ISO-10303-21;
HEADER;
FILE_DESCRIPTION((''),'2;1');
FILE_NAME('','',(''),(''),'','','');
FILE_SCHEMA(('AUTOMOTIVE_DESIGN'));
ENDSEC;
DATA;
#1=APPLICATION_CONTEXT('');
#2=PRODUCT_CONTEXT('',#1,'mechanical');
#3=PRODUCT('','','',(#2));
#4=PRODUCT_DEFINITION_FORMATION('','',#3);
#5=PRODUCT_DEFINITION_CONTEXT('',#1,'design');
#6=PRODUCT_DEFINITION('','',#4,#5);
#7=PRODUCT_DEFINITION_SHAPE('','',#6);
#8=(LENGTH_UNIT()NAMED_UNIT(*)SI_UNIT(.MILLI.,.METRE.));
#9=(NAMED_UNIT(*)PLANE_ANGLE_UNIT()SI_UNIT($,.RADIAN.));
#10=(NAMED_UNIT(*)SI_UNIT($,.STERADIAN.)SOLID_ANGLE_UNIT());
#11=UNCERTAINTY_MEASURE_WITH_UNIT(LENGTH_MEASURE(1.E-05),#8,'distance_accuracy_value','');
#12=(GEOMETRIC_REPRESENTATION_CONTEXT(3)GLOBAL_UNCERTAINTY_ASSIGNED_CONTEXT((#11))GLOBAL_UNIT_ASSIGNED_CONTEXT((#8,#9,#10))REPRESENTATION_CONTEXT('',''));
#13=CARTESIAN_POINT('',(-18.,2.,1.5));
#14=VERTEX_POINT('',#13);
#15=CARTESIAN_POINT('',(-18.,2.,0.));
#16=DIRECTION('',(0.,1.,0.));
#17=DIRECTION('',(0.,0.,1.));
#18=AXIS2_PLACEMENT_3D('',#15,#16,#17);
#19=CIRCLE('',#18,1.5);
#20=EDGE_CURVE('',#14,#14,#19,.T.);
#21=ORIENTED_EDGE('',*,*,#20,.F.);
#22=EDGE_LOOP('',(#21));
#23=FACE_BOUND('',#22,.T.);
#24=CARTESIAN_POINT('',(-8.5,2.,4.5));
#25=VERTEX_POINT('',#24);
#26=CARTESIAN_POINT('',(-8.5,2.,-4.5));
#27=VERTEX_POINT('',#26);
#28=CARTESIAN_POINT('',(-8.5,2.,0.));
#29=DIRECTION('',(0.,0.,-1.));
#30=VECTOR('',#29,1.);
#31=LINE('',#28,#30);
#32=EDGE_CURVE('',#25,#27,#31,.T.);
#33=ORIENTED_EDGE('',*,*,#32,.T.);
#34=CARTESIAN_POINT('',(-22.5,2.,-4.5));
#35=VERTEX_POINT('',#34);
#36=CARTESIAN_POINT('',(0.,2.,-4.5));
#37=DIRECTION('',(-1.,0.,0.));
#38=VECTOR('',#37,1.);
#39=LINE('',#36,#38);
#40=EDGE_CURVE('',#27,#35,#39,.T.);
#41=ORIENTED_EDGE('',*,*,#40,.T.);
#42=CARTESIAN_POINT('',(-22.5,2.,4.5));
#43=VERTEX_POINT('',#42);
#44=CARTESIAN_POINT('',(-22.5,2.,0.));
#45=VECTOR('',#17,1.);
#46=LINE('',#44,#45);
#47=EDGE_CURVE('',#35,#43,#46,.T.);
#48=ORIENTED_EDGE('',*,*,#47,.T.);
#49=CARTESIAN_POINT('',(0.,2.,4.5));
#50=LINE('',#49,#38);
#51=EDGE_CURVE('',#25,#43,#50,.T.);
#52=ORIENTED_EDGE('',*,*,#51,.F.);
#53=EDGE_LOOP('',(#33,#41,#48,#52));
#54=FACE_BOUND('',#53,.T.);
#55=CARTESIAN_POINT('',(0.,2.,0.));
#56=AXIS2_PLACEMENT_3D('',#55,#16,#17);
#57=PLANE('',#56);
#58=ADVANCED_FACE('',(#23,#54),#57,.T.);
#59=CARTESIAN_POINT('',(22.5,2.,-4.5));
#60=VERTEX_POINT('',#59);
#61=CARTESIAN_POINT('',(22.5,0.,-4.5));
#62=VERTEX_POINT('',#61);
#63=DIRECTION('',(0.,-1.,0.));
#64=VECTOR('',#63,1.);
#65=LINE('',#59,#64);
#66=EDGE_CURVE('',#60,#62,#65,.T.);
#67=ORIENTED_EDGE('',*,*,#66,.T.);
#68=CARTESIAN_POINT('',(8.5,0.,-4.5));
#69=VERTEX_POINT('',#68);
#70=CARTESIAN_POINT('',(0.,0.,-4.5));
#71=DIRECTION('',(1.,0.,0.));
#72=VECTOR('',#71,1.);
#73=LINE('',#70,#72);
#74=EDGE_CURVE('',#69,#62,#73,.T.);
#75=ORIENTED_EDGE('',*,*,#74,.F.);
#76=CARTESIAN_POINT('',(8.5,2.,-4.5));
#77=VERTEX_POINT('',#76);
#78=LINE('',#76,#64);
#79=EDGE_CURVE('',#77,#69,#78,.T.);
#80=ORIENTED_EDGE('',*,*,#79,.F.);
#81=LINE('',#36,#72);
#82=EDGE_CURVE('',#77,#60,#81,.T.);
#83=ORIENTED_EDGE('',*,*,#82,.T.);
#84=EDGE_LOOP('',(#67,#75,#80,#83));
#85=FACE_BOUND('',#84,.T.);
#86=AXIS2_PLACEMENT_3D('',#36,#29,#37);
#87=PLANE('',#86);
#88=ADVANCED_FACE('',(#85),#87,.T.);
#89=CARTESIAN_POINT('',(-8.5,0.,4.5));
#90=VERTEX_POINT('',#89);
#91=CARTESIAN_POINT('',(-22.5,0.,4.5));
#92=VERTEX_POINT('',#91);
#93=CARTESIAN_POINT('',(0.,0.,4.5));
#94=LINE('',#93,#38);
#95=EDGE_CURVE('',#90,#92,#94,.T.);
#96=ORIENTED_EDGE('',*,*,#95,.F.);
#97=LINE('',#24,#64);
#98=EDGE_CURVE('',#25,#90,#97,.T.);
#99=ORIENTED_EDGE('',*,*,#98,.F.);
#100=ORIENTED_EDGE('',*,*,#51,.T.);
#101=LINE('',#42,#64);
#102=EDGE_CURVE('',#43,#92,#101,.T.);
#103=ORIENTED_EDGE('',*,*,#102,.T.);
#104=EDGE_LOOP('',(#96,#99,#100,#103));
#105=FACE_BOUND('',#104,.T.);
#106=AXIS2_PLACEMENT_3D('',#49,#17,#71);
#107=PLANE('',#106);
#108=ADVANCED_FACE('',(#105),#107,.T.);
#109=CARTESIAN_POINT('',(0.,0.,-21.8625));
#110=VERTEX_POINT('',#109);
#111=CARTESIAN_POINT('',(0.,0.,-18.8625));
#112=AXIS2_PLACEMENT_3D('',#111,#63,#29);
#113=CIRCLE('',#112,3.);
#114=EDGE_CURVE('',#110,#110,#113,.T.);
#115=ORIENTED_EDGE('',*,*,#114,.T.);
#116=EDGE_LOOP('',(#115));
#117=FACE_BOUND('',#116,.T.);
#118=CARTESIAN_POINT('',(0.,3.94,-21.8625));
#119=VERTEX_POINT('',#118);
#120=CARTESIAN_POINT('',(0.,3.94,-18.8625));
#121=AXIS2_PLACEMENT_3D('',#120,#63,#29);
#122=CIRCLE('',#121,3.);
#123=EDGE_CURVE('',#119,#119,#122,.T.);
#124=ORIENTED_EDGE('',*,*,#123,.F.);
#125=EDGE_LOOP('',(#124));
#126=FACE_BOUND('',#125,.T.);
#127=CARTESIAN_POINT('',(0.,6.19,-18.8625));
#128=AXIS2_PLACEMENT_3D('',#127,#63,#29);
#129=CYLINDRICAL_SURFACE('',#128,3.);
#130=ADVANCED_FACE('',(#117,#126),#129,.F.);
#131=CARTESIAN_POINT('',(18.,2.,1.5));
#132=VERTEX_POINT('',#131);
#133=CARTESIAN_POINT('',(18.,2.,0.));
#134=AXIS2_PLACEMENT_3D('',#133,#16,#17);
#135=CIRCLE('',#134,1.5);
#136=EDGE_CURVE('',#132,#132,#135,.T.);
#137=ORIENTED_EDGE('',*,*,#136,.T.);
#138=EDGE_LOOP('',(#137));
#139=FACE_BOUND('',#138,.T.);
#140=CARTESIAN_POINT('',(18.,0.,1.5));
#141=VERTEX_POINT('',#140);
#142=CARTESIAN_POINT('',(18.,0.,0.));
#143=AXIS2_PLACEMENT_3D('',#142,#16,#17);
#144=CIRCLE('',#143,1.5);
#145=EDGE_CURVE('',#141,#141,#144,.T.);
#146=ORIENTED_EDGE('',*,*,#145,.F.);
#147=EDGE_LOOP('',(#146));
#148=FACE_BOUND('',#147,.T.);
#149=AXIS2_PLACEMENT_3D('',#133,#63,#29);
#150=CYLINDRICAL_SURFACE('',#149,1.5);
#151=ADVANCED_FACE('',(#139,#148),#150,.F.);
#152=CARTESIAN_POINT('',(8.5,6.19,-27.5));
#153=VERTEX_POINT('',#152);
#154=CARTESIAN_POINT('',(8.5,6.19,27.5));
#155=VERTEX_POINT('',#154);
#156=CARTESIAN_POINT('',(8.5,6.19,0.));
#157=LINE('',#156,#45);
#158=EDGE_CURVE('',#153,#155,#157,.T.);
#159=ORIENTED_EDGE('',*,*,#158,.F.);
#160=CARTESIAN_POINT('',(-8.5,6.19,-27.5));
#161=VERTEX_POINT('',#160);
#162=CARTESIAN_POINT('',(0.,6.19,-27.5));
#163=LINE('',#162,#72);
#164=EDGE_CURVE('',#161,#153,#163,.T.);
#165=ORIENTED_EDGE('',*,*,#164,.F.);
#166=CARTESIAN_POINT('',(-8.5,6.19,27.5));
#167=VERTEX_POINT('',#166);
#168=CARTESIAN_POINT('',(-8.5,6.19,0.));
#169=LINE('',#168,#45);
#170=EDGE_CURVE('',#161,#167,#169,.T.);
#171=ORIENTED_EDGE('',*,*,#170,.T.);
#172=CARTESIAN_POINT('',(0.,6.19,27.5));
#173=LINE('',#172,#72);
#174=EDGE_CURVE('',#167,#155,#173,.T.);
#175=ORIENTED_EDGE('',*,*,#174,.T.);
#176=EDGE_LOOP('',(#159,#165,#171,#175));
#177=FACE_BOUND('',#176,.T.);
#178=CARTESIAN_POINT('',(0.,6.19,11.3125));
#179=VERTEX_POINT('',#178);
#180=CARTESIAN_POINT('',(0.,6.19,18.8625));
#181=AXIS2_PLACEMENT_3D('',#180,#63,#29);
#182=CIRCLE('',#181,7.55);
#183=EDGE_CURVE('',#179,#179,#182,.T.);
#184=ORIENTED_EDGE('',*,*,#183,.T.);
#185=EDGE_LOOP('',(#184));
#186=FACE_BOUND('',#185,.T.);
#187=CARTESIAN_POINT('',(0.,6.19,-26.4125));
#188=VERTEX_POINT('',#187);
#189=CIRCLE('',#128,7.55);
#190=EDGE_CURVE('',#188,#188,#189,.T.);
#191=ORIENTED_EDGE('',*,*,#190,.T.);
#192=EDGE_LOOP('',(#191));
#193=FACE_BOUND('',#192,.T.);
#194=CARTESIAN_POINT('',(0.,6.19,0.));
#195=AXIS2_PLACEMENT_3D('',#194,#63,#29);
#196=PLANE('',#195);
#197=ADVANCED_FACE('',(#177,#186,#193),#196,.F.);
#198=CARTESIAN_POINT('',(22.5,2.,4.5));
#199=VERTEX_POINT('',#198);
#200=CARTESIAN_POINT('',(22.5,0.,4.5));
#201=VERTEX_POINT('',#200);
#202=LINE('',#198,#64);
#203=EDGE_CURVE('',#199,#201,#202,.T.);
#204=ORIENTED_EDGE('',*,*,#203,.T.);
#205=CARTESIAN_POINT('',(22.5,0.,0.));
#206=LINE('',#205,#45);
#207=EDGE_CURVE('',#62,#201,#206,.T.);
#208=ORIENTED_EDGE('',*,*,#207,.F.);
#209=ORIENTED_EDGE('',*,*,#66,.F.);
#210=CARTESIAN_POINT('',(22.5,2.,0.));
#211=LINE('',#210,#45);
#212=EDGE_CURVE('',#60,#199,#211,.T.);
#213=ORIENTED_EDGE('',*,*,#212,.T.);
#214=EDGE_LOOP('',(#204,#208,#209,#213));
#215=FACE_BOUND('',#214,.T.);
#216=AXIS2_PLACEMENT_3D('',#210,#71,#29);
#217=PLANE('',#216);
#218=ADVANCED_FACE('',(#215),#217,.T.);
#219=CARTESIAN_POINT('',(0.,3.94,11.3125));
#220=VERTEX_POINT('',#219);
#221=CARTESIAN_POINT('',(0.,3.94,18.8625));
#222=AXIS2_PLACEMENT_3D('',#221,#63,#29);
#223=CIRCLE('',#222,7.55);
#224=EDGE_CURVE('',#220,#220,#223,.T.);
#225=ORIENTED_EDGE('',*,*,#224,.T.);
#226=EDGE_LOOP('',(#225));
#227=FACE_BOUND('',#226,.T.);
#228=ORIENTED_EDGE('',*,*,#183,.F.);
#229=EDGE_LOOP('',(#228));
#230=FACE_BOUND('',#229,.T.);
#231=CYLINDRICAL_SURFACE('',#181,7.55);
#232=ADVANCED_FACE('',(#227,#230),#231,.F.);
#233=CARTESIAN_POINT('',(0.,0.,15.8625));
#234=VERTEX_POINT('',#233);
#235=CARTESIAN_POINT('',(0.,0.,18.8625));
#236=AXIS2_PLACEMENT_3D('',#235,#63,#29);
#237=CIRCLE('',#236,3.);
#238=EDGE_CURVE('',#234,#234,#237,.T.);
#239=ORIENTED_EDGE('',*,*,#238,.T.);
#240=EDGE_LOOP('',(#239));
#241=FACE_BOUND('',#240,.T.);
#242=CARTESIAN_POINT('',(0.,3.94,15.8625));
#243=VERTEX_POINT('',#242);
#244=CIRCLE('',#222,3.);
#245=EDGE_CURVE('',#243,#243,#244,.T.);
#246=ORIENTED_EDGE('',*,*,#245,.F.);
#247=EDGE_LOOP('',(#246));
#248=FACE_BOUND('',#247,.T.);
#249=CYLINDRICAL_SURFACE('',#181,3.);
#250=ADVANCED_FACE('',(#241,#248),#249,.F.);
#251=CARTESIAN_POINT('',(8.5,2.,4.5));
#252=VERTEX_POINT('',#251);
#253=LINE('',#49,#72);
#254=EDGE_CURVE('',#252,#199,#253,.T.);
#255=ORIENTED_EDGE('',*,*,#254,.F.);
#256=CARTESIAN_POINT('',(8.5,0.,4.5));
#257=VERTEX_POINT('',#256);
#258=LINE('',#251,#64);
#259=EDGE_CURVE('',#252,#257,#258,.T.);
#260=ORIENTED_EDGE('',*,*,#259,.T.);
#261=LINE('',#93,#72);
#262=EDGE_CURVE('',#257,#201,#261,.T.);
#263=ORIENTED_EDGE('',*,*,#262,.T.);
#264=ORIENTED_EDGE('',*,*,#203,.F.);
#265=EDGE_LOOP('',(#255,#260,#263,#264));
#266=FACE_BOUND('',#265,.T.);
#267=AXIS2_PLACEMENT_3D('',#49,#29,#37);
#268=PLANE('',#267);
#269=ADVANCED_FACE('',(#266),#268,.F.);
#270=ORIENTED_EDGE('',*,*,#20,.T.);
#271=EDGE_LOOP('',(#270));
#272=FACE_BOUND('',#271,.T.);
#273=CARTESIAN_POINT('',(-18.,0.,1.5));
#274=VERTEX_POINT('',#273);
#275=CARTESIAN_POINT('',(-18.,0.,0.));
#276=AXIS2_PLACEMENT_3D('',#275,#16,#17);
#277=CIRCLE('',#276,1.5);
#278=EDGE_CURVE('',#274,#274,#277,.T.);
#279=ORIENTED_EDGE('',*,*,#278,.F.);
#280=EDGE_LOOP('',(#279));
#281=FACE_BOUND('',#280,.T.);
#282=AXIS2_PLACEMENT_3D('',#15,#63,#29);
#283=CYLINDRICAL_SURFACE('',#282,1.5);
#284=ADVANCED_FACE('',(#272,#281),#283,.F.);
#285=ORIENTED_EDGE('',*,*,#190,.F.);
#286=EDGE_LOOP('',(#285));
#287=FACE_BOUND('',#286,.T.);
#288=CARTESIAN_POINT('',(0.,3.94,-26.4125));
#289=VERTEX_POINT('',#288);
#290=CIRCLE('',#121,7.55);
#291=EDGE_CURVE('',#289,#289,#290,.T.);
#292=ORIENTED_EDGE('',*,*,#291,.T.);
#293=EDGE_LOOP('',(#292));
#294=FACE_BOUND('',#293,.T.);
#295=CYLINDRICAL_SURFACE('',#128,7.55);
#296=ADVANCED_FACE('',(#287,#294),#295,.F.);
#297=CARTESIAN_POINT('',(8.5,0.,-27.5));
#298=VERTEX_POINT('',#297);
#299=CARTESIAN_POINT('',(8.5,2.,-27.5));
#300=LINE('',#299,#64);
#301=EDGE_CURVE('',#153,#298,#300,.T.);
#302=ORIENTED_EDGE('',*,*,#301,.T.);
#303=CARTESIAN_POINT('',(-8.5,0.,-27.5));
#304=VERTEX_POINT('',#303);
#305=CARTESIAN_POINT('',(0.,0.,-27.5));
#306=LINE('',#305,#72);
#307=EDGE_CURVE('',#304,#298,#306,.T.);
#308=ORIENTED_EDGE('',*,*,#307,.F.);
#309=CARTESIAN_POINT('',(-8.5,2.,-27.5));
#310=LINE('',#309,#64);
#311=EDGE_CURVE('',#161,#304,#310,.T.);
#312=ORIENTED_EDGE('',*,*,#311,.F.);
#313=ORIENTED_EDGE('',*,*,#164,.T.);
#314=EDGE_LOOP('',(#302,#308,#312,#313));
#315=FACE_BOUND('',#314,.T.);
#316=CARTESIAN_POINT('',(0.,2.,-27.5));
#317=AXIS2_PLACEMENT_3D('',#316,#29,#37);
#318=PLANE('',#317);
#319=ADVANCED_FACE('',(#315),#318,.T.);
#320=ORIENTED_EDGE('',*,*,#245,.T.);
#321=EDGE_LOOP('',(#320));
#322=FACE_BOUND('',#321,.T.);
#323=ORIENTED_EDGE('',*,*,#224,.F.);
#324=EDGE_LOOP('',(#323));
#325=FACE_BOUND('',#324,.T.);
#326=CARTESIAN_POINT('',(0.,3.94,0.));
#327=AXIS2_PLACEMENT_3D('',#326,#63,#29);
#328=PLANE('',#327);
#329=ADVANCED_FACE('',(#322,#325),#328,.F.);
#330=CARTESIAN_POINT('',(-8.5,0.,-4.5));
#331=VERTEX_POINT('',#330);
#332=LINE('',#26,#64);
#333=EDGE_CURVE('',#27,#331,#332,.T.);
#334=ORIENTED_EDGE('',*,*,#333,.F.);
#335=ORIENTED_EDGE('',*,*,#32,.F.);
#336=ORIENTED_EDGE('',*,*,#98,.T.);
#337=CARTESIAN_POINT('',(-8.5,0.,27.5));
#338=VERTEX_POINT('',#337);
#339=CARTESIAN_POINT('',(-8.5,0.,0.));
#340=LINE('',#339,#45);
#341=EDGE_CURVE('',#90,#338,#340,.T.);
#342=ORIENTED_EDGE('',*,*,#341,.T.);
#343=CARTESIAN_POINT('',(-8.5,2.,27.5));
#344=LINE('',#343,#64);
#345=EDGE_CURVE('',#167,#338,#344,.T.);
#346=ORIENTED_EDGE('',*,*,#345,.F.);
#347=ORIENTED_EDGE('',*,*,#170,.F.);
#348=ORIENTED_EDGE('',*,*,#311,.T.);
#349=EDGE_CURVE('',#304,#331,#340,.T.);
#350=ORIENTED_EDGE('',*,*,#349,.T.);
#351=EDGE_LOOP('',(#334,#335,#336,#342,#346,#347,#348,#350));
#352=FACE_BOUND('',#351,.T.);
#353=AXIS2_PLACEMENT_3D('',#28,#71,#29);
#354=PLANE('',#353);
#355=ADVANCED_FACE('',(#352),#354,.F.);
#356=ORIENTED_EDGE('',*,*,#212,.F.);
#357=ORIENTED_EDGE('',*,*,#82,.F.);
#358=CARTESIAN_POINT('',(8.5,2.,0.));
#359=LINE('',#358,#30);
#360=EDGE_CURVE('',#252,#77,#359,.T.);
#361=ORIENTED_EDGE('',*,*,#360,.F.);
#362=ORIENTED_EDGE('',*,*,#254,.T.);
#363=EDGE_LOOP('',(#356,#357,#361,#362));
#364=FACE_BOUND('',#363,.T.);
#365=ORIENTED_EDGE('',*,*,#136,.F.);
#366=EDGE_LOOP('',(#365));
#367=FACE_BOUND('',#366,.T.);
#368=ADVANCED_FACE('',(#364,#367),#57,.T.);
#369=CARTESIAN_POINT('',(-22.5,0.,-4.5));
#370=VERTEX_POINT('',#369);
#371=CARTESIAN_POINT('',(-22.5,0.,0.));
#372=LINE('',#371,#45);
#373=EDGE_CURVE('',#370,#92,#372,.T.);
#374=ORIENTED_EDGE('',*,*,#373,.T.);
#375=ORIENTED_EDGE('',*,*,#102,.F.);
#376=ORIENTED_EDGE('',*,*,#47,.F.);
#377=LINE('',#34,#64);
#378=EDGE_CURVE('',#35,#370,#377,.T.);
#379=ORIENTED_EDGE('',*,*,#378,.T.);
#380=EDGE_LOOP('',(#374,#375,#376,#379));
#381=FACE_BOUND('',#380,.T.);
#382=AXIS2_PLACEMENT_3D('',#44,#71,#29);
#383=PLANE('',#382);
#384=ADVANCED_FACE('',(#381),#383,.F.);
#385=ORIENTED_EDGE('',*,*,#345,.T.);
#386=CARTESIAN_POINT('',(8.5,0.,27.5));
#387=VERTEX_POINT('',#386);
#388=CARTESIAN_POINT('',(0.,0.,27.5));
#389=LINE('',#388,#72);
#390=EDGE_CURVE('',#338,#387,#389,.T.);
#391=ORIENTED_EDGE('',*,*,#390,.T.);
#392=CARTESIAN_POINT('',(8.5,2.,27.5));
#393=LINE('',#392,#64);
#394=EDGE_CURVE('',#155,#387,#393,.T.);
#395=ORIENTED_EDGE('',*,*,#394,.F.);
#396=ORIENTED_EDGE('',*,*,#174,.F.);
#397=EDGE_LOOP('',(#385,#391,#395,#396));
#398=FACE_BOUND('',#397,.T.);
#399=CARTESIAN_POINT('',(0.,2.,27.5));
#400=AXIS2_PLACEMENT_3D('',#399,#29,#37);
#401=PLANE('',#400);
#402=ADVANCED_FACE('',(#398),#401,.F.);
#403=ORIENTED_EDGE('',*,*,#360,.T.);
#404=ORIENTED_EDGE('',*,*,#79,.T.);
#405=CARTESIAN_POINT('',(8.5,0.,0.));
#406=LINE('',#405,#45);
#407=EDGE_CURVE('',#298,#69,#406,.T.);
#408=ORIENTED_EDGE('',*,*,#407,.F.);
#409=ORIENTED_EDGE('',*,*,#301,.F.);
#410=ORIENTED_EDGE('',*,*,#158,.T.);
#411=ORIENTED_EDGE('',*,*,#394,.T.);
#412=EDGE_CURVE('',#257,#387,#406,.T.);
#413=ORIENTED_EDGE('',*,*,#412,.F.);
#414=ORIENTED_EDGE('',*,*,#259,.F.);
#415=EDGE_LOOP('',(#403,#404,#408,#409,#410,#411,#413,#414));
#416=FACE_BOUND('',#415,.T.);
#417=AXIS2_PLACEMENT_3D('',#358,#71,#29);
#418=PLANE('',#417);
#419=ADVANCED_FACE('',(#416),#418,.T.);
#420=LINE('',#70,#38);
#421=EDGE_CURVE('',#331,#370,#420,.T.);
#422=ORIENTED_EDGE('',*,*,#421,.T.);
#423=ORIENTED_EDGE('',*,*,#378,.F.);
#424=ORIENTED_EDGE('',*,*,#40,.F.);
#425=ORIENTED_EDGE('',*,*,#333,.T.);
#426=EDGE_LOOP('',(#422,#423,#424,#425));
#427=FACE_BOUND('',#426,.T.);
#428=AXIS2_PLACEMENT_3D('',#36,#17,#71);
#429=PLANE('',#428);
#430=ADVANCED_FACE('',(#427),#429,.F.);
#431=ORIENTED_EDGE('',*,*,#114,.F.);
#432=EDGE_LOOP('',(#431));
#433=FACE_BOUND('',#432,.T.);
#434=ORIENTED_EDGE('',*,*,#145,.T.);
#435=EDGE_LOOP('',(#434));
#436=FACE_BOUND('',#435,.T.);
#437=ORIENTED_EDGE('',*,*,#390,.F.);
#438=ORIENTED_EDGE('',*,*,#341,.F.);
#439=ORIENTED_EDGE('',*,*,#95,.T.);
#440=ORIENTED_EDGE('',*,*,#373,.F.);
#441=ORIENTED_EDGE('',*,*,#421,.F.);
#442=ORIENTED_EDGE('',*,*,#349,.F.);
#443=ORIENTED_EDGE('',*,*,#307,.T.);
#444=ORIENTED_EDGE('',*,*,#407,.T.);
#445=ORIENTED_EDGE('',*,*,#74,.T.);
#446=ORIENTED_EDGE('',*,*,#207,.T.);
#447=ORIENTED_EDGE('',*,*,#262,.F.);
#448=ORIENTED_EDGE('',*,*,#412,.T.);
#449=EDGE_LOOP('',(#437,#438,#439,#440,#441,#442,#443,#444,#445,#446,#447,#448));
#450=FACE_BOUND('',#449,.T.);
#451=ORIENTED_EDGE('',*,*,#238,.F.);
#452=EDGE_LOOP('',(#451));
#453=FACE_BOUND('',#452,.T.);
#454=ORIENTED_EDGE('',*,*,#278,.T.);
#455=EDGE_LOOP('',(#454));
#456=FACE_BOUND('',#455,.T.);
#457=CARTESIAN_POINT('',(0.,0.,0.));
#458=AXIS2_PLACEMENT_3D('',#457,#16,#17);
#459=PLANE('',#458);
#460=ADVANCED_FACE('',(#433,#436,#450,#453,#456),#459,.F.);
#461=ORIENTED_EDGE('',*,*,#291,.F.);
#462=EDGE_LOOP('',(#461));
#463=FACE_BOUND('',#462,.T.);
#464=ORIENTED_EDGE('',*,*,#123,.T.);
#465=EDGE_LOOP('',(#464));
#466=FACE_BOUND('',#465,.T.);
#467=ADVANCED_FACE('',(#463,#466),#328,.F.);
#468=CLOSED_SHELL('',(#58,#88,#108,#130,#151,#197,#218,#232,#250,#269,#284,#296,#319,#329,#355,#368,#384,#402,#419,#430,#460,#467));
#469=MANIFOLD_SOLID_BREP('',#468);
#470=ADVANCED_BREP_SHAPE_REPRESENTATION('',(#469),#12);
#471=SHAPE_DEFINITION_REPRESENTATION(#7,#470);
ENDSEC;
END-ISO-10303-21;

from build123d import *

# Parameters (mm, degrees)
SKETCH1_W           = 17
SKETCH1_H           = 55
SKETCH1_R           = 7.55
SKETCH1_W_2         = 14
SKETCH1_H_2         = 9
SKETCH1_R_2         = 1.5
BOSS_EXTRUDE1_DEPTH = 2
BOSS_EXTRUDE2_START = 2
SKETCH1_4_W         = 17
SKETCH1_4_H         = 55
SKETCH1_4_R         = 7.55
BOSS_EXTRUDE2_DEPTH = 1.94
BOSS_EXTRUDE3_START = 3.94
SKETCH1_5_W         = 17
SKETCH1_5_H         = 55
SKETCH1_5_R         = 7.55
BOSS_EXTRUDE3_DEPTH = 2.25
SKETCH3_R           = 3
CUT_EXTRUDE1_DEPTH  = 37.06682825


with BuildPart() as part:
    # Sketch1 → Boss-Extrude1 (new body)
    # profile 1 of 5: a face of its own
    with BuildSketch(Plane(origin=(0, 0, 0), x_dir=(1, 0, 0), z_dir=(0, 1, 0))):
        Rectangle(SKETCH1_W, SKETCH1_H)
        with Locations((0, -18.8625)):
            Circle(SKETCH1_R, mode=Mode.SUBTRACT)
        with Locations((0, 18.8625)):
            Circle(SKETCH1_R, mode=Mode.SUBTRACT)
    # profile 2 of 5: a face of its own
    with BuildSketch(Plane(origin=(0, 0, 0), x_dir=(1, 0, 0), z_dir=(0, 1, 0))):
        with Locations((15.5, 0)):
            Rectangle(SKETCH1_W_2, SKETCH1_H_2)
        with Locations(Location((18, 0, 0), (0, 0, 270))):
            Circle(SKETCH1_R_2, mode=Mode.SUBTRACT)
    # profile 3 of 5: a face of its own
    with BuildSketch(Plane(origin=(0, 0, 0), x_dir=(1, 0, 0), z_dir=(0, 1, 0))):
        with Locations((-15.5, 0)):
            Rectangle(SKETCH1_W_2, SKETCH1_H_2)
        with Locations(Location((-18, 0, 0), (0, 0, 270))):
            Circle(SKETCH1_R_2, mode=Mode.SUBTRACT)
    # profile 4 of 5: a face of its own
    with BuildSketch(Plane(origin=(0, 0, 0), x_dir=(1, 0, 0), z_dir=(0, 1, 0))):
        with Locations((0, -18.8625)):
            Circle(SKETCH1_R)
    # profile 5 of 5: a face of its own
    with BuildSketch(Plane(origin=(0, 0, 0), x_dir=(1, 0, 0), z_dir=(0, 1, 0))):
        with Locations((0, 18.8625)):
            Circle(SKETCH1_R)
    extrude(amount=BOSS_EXTRUDE1_DEPTH)

    # Sketch1<4> → Boss-Extrude2 (add)
    # profile 1 of 3: a face of its own
    with BuildSketch(Plane(origin=(0, 0, 0), x_dir=(1, 0, 0), z_dir=(0, 1, 0)).offset(BOSS_EXTRUDE2_START)):
        Rectangle(SKETCH1_4_W, SKETCH1_4_H)
        with Locations((0, -18.8625)):
            Circle(SKETCH1_4_R, mode=Mode.SUBTRACT)
        with Locations((0, 18.8625)):
            Circle(SKETCH1_4_R, mode=Mode.SUBTRACT)
    # profile 2 of 3: a face of its own
    with BuildSketch(Plane(origin=(0, 0, 0), x_dir=(1, 0, 0), z_dir=(0, 1, 0)).offset(BOSS_EXTRUDE2_START)):
        with Locations((0, -18.8625)):
            Circle(SKETCH1_4_R)
    # profile 3 of 3: a face of its own
    with BuildSketch(Plane(origin=(0, 0, 0), x_dir=(1, 0, 0), z_dir=(0, 1, 0)).offset(BOSS_EXTRUDE2_START)):
        with Locations((0, 18.8625)):
            Circle(SKETCH1_4_R)
    extrude(amount=BOSS_EXTRUDE2_DEPTH)

    # Sketch1<5> → Boss-Extrude3 (add)
    with BuildSketch(Plane(origin=(0, 0, 0), x_dir=(1, 0, 0), z_dir=(0, 1, 0)).offset(BOSS_EXTRUDE3_START)):
        Rectangle(SKETCH1_5_W, SKETCH1_5_H)
        with Locations(Location((0, -18.8625, 0), (0, 0, 90))):
            Circle(SKETCH1_5_R, mode=Mode.SUBTRACT)
        with Locations(Location((0, 18.8625, 0), (0, 0, 90))):
            Circle(SKETCH1_5_R, mode=Mode.SUBTRACT)
    extrude(amount=BOSS_EXTRUDE3_DEPTH)

    # Sketch3 → Cut-Extrude1 (cut, through all)
    with BuildSketch(Plane.XZ):
        with Locations(Location((0, -18.8625, 0), (0, 0, 270))):
            Circle(SKETCH3_R)
        with Locations(Location((0, 18.8625, 0), (0, 0, 270))):
            Circle(SKETCH3_R)
    extrude(amount=-CUT_EXTRUDE1_DEPTH, mode=Mode.SUBTRACT)


solid = part.part
